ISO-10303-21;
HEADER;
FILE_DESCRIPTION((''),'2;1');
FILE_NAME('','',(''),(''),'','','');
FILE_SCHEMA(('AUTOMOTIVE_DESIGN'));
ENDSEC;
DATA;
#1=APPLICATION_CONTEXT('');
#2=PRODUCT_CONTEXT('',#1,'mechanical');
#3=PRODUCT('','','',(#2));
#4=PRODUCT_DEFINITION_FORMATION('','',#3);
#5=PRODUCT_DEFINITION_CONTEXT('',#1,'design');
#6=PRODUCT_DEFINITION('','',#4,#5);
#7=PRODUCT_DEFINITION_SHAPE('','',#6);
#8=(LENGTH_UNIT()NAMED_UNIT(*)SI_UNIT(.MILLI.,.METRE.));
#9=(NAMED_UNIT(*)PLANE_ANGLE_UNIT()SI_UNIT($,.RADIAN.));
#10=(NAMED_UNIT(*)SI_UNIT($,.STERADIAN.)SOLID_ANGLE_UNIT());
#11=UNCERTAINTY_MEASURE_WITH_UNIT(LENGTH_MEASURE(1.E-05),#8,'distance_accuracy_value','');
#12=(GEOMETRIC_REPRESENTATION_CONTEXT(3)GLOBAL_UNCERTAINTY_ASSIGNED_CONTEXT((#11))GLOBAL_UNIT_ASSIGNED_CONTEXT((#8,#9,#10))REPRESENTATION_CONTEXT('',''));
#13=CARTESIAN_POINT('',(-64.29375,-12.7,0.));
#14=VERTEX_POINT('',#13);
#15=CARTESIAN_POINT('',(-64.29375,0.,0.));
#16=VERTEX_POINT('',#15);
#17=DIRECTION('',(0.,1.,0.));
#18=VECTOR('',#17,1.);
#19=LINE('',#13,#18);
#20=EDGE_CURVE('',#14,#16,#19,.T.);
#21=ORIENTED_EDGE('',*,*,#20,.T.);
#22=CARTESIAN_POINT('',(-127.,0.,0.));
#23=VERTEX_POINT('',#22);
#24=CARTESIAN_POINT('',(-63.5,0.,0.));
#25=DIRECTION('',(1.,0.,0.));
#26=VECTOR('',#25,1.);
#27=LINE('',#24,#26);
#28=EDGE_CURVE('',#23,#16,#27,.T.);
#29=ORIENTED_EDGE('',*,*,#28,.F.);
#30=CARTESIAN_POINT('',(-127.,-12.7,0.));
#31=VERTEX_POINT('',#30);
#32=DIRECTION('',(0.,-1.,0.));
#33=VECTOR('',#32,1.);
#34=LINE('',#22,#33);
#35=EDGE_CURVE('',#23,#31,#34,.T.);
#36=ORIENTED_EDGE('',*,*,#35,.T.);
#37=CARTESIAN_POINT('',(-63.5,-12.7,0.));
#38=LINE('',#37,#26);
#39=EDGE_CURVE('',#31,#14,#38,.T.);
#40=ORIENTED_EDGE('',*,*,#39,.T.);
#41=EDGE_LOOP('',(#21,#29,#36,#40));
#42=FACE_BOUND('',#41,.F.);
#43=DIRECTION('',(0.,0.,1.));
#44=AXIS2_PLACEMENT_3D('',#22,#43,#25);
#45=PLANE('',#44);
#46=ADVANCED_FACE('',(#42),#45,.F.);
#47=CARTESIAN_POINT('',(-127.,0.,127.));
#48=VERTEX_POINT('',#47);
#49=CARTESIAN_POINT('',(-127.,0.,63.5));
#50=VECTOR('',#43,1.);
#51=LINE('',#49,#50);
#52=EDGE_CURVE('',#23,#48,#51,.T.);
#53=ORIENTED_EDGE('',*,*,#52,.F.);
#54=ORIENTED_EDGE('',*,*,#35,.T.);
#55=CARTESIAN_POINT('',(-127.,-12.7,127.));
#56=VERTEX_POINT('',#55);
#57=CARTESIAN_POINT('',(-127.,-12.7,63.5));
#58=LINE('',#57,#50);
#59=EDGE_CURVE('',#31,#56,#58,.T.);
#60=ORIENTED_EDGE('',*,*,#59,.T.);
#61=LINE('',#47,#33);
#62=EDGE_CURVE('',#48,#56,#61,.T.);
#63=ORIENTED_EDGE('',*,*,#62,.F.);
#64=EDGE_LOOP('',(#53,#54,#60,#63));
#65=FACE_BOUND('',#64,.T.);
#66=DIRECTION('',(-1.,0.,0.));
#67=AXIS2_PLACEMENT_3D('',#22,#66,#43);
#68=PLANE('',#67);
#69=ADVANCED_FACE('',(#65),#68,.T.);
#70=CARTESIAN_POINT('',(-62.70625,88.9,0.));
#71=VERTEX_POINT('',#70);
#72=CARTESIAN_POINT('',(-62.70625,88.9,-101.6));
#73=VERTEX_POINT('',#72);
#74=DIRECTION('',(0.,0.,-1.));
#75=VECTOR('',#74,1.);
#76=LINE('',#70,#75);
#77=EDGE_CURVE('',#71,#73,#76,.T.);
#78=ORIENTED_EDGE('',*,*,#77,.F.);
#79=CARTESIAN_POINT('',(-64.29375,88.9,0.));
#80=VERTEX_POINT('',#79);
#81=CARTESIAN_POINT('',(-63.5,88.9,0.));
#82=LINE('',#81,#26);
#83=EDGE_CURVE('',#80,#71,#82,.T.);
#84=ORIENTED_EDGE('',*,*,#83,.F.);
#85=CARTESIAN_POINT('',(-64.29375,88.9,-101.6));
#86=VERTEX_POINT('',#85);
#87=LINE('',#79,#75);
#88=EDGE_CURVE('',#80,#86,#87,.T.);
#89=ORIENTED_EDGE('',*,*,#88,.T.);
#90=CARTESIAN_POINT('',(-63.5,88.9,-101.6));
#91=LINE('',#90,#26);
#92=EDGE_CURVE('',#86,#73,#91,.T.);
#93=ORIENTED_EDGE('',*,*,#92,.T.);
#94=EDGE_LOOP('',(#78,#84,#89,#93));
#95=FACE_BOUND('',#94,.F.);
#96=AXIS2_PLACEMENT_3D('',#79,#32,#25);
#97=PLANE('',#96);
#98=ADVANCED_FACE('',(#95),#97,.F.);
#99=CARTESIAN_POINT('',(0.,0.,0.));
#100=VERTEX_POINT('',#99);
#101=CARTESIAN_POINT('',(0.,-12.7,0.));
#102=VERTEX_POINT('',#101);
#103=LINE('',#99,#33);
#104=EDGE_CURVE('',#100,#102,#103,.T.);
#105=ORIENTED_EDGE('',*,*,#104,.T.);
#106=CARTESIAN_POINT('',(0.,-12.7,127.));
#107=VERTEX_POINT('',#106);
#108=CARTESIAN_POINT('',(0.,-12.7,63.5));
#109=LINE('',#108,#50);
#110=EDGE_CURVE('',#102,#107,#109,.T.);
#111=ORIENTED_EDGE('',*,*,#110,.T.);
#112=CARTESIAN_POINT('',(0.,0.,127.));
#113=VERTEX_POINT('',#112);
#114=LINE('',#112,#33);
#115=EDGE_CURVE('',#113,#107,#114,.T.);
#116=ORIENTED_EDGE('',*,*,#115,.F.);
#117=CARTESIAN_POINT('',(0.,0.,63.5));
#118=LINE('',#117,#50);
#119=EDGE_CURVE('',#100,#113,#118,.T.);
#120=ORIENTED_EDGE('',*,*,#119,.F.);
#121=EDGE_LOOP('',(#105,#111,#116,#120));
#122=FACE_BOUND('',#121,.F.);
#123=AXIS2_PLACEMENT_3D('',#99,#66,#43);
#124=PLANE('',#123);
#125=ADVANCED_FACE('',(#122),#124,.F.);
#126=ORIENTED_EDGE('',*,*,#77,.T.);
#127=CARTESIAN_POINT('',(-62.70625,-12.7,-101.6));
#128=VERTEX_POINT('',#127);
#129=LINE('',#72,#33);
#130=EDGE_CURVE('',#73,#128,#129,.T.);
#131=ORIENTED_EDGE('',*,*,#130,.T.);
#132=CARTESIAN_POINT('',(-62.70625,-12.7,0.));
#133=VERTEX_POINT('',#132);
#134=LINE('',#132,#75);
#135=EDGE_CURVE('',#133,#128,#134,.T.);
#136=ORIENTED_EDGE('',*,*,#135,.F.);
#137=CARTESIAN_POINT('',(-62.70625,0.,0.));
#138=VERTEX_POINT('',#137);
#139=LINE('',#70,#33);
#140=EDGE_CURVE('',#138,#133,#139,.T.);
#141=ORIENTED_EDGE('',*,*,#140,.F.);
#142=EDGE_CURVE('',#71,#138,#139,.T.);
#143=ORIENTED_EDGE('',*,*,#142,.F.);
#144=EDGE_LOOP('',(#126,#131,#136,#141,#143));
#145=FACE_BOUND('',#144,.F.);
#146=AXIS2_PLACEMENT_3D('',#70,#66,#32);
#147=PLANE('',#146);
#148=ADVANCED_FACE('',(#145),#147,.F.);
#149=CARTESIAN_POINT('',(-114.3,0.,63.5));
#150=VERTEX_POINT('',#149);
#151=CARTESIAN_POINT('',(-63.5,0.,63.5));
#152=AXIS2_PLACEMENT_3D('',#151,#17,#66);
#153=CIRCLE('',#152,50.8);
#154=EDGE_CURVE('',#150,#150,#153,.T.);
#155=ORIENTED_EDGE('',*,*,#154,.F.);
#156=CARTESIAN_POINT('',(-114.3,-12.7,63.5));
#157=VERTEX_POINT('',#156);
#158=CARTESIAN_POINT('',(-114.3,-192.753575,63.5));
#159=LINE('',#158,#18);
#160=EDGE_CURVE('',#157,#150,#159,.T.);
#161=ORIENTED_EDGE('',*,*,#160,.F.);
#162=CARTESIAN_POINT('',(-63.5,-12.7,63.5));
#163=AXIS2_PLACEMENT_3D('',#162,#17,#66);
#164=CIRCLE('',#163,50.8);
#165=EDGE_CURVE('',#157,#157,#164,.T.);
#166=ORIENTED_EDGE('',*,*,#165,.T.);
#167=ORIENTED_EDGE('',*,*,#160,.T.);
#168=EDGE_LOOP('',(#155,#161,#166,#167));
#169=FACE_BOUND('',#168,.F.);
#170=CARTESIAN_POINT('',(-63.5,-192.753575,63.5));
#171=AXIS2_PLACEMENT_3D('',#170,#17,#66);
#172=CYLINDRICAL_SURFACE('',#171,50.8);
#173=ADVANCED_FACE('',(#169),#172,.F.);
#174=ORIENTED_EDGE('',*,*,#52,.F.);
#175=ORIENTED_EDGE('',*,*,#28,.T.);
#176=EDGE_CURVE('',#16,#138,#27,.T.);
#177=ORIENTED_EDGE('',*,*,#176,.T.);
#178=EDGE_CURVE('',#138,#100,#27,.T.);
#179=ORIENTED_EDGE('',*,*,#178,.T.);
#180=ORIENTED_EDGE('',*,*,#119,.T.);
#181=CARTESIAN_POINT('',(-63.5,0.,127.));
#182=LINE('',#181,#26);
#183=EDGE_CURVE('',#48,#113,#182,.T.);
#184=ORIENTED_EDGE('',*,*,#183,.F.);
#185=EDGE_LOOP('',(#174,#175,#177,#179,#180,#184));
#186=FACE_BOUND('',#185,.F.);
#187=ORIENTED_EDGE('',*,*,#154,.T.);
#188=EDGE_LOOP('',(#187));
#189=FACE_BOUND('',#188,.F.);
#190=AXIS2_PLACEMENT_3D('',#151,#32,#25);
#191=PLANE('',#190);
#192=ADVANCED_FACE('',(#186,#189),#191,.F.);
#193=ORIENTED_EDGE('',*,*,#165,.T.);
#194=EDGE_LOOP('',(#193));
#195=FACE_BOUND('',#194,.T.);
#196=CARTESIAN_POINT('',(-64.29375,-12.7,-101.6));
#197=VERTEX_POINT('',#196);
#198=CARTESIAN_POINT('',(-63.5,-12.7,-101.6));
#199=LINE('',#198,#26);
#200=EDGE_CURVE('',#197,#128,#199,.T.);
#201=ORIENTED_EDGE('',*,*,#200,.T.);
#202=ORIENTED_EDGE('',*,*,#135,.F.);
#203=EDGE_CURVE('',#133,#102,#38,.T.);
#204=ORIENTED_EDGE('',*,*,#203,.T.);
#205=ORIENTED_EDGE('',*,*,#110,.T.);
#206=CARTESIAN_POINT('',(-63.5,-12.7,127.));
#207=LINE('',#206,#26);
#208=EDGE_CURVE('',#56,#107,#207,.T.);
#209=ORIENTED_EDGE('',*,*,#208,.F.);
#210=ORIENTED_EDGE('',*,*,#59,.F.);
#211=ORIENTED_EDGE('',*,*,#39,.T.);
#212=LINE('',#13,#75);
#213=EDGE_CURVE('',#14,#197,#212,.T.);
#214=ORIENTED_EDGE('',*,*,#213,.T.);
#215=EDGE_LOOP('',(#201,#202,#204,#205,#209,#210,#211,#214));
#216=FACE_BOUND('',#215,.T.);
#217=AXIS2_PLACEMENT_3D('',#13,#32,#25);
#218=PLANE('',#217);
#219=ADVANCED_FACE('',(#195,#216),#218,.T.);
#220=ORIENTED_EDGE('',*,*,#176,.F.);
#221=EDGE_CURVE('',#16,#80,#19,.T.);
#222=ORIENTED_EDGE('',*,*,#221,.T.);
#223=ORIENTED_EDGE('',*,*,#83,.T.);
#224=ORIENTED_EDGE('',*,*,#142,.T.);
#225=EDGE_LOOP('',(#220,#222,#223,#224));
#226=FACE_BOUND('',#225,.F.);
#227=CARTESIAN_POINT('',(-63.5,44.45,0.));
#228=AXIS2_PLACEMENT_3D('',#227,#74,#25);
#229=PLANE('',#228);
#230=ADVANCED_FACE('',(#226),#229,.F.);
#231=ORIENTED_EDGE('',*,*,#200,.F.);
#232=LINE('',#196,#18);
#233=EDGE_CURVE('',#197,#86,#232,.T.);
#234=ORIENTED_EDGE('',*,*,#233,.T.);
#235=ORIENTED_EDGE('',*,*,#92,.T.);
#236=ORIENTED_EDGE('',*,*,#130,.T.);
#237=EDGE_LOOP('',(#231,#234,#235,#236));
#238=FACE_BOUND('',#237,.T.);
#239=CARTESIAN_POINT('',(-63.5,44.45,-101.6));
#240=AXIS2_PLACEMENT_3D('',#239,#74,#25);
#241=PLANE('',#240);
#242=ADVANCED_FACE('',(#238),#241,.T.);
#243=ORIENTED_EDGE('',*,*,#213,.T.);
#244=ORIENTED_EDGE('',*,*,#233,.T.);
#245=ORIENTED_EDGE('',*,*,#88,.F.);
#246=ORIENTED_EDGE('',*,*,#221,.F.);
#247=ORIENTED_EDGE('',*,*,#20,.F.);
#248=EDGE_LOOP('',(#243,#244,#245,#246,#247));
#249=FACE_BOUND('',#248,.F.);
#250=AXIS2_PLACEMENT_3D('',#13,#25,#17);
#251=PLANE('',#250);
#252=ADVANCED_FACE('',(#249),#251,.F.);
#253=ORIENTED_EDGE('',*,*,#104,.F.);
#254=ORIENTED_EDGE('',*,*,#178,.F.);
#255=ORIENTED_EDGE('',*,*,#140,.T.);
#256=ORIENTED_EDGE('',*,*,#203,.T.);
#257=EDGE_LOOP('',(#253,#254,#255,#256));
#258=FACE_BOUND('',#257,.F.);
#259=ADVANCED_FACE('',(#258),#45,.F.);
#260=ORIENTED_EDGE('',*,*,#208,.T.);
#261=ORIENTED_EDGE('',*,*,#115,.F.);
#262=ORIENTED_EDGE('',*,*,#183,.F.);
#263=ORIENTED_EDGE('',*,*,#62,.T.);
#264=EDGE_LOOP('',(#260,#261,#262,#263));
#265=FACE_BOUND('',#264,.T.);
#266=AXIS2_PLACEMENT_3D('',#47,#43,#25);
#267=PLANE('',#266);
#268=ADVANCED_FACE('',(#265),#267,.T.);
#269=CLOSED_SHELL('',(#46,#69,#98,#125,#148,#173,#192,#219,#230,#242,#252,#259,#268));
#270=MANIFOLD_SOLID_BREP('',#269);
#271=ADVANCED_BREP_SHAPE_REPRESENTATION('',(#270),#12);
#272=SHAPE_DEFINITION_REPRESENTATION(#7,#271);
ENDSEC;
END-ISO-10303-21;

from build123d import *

# Parameters (mm, degrees)
F0_W     = 127
F0_H     = 127
F1_DEPTH = 12.7
F3_D     = 101.6
F4_W     = 1.5875
F4_H     = 88.9
F4_H_2   = 12.7
F5_DEPTH = 101.6


with BuildPart() as f1:
    # F0 (on Front) → F1 (new body)
    with BuildSketch(Plane.XZ):
        with Locations((-63.5, 63.5)):
            Rectangle(F0_W, F0_H)
    extrude(amount=F1_DEPTH)

    # F3 (through all)
    with Locations(Plane.XZ.offset(12.7)):
        with Locations((-63.5, 63.5)):
            Hole(F3_D / 2)

    # F4 (on face) → F5 (join)
    with BuildSketch(Plane(origin=(0, 0, 0), x_dir=(1, 0, 0), z_dir=(0, 0, -1))):
        with Locations((-63.5, -44.45)):
            Rectangle(F4_W, F4_H)
        with Locations((-63.5, 6.35)):
            Rectangle(F4_W, F4_H_2)
    extrude(amount=F5_DEPTH)


solid = f1.part
